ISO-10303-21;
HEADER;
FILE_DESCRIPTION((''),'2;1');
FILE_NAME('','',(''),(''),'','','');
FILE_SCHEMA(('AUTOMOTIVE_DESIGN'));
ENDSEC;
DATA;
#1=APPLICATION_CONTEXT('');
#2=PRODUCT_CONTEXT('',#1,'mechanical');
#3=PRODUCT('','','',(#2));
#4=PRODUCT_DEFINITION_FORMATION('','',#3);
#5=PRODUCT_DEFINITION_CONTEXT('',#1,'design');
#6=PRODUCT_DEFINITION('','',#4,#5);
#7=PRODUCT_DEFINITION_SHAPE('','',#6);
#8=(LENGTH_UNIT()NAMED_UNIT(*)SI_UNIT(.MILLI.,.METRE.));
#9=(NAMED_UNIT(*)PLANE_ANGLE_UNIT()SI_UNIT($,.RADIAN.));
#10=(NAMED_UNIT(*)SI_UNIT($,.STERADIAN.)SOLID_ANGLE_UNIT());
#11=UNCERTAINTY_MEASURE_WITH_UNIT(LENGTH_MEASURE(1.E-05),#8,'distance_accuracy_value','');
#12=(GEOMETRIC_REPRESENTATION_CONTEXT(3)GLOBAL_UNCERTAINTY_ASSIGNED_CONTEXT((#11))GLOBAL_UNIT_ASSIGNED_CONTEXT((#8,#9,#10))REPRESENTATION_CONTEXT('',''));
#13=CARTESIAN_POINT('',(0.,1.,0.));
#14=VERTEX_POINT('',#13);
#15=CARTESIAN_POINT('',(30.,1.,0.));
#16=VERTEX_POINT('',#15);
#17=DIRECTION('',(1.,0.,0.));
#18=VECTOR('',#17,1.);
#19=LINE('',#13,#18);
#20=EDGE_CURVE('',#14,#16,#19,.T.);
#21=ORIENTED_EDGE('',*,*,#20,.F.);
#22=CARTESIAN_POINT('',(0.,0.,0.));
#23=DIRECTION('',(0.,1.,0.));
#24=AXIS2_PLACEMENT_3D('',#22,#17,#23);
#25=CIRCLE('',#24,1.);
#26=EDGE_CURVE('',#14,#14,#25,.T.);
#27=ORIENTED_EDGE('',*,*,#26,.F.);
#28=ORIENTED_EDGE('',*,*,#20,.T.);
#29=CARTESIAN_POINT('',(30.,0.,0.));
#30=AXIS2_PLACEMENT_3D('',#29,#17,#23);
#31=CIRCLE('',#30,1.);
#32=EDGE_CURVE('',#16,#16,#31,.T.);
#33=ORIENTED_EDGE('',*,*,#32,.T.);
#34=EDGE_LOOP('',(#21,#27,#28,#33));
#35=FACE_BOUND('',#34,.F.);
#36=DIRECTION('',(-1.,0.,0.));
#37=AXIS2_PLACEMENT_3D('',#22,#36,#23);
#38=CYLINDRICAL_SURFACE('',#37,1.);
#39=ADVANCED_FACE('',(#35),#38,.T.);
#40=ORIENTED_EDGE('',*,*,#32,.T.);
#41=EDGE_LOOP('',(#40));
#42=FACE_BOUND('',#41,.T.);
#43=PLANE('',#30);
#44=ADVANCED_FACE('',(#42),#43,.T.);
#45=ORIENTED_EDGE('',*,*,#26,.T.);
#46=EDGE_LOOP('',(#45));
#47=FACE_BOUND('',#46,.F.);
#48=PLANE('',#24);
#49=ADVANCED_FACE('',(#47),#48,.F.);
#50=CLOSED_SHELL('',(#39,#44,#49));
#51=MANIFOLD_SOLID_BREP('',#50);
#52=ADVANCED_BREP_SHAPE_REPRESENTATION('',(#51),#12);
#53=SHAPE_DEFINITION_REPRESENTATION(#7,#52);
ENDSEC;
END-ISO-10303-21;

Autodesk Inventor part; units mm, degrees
ref_plane "YZ Plane" through (0, 0, 0) normal (1, 0, 0) x (0, 1, 0)
ref_plane "XZ Plane" through (0, 0, 0) normal (0, 1, 0) x (-1, 0, 0)
ref_plane "XY Plane" through (0, 0, 0) normal (0, 0, 1) x (1, 0, 0)
sketch "Skizze1" plane through (0, 0, 0) normal (1, 0, 0) x (0, 1, 0)
  circle A0 centre (0, 0) radius 1
  dimension "d0" = 2
extrude "Extrusion1" add sketch "Skizze1" along normal blind 30
properties part number "SeilStange1m" material "Seilatrappe"
